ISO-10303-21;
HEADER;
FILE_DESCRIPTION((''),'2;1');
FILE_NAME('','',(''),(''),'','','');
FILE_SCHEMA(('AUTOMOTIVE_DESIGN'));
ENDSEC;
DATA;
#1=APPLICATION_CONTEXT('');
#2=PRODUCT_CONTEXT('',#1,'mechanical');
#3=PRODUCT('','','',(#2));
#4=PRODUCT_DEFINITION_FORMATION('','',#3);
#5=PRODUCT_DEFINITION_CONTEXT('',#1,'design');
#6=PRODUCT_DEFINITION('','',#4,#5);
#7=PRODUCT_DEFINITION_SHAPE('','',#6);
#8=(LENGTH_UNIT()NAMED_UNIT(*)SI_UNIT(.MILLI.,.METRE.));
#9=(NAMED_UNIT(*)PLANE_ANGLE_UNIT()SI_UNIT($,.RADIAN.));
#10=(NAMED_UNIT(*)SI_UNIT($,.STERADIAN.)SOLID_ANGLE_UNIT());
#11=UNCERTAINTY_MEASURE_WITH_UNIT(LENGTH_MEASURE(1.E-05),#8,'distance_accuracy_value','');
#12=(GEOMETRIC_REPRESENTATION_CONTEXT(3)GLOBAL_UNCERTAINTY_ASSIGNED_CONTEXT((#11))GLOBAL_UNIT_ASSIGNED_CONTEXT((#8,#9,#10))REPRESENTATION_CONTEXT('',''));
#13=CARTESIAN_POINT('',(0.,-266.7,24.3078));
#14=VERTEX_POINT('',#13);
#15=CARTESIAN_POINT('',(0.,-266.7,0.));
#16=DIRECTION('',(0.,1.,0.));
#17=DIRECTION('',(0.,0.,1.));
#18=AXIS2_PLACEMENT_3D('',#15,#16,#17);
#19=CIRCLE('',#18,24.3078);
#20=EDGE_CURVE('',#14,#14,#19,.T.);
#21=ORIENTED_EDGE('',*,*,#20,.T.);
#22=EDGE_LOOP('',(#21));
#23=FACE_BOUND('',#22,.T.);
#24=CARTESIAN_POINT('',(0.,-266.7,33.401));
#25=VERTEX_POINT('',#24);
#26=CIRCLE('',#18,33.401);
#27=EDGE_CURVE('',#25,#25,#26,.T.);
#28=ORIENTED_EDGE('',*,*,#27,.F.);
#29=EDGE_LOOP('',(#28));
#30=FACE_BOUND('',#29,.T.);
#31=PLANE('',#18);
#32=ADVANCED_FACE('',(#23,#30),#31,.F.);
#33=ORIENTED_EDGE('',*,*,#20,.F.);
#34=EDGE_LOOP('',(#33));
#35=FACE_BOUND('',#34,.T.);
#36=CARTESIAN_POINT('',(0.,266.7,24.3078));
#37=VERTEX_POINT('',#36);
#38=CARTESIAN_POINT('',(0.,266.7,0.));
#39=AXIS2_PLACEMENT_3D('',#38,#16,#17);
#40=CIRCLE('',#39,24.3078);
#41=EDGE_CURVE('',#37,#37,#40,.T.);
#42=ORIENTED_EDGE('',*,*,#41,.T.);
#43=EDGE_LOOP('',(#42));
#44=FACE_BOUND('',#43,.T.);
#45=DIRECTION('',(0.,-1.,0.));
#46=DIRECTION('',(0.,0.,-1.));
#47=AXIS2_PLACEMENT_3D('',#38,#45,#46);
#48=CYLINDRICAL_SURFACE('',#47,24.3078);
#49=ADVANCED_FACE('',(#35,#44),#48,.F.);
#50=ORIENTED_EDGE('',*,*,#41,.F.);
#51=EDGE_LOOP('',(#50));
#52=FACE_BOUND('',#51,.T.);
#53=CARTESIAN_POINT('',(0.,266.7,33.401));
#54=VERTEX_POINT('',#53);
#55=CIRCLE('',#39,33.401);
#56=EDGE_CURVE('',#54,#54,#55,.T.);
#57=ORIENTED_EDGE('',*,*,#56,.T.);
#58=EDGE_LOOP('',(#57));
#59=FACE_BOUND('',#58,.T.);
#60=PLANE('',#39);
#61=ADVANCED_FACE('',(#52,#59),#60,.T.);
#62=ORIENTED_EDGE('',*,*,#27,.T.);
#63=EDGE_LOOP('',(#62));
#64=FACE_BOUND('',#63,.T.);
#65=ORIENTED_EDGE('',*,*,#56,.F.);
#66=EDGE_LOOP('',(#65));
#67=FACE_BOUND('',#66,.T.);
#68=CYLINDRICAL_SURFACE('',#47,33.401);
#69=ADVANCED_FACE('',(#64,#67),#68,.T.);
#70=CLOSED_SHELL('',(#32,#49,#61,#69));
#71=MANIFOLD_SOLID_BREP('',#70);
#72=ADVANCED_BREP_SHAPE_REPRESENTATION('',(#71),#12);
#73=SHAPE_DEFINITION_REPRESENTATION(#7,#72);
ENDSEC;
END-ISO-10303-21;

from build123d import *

# Parameters (mm, degrees)
SKETCH1_R           = 33.401
SKETCH1_R_2         = 24.3078
BOSS_EXTRUDE1_DEPTH = 266.7


with BuildPart() as part:
    # Sketch1 → Boss-Extrude1 (new, symmetric)
    with BuildSketch(Plane(origin=(0, 0, 0), x_dir=(1, 0, 0), z_dir=(0, 1, 0))):
        with Locations(Location((0, 0, 0), (0, 0, 270))):
            Circle(SKETCH1_R)
        with Locations(Location((0, 0, 0), (0, 0, 270))):
            Circle(SKETCH1_R_2, mode=Mode.SUBTRACT)
    extrude(amount=BOSS_EXTRUDE1_DEPTH, both=True)


solid = part.part
